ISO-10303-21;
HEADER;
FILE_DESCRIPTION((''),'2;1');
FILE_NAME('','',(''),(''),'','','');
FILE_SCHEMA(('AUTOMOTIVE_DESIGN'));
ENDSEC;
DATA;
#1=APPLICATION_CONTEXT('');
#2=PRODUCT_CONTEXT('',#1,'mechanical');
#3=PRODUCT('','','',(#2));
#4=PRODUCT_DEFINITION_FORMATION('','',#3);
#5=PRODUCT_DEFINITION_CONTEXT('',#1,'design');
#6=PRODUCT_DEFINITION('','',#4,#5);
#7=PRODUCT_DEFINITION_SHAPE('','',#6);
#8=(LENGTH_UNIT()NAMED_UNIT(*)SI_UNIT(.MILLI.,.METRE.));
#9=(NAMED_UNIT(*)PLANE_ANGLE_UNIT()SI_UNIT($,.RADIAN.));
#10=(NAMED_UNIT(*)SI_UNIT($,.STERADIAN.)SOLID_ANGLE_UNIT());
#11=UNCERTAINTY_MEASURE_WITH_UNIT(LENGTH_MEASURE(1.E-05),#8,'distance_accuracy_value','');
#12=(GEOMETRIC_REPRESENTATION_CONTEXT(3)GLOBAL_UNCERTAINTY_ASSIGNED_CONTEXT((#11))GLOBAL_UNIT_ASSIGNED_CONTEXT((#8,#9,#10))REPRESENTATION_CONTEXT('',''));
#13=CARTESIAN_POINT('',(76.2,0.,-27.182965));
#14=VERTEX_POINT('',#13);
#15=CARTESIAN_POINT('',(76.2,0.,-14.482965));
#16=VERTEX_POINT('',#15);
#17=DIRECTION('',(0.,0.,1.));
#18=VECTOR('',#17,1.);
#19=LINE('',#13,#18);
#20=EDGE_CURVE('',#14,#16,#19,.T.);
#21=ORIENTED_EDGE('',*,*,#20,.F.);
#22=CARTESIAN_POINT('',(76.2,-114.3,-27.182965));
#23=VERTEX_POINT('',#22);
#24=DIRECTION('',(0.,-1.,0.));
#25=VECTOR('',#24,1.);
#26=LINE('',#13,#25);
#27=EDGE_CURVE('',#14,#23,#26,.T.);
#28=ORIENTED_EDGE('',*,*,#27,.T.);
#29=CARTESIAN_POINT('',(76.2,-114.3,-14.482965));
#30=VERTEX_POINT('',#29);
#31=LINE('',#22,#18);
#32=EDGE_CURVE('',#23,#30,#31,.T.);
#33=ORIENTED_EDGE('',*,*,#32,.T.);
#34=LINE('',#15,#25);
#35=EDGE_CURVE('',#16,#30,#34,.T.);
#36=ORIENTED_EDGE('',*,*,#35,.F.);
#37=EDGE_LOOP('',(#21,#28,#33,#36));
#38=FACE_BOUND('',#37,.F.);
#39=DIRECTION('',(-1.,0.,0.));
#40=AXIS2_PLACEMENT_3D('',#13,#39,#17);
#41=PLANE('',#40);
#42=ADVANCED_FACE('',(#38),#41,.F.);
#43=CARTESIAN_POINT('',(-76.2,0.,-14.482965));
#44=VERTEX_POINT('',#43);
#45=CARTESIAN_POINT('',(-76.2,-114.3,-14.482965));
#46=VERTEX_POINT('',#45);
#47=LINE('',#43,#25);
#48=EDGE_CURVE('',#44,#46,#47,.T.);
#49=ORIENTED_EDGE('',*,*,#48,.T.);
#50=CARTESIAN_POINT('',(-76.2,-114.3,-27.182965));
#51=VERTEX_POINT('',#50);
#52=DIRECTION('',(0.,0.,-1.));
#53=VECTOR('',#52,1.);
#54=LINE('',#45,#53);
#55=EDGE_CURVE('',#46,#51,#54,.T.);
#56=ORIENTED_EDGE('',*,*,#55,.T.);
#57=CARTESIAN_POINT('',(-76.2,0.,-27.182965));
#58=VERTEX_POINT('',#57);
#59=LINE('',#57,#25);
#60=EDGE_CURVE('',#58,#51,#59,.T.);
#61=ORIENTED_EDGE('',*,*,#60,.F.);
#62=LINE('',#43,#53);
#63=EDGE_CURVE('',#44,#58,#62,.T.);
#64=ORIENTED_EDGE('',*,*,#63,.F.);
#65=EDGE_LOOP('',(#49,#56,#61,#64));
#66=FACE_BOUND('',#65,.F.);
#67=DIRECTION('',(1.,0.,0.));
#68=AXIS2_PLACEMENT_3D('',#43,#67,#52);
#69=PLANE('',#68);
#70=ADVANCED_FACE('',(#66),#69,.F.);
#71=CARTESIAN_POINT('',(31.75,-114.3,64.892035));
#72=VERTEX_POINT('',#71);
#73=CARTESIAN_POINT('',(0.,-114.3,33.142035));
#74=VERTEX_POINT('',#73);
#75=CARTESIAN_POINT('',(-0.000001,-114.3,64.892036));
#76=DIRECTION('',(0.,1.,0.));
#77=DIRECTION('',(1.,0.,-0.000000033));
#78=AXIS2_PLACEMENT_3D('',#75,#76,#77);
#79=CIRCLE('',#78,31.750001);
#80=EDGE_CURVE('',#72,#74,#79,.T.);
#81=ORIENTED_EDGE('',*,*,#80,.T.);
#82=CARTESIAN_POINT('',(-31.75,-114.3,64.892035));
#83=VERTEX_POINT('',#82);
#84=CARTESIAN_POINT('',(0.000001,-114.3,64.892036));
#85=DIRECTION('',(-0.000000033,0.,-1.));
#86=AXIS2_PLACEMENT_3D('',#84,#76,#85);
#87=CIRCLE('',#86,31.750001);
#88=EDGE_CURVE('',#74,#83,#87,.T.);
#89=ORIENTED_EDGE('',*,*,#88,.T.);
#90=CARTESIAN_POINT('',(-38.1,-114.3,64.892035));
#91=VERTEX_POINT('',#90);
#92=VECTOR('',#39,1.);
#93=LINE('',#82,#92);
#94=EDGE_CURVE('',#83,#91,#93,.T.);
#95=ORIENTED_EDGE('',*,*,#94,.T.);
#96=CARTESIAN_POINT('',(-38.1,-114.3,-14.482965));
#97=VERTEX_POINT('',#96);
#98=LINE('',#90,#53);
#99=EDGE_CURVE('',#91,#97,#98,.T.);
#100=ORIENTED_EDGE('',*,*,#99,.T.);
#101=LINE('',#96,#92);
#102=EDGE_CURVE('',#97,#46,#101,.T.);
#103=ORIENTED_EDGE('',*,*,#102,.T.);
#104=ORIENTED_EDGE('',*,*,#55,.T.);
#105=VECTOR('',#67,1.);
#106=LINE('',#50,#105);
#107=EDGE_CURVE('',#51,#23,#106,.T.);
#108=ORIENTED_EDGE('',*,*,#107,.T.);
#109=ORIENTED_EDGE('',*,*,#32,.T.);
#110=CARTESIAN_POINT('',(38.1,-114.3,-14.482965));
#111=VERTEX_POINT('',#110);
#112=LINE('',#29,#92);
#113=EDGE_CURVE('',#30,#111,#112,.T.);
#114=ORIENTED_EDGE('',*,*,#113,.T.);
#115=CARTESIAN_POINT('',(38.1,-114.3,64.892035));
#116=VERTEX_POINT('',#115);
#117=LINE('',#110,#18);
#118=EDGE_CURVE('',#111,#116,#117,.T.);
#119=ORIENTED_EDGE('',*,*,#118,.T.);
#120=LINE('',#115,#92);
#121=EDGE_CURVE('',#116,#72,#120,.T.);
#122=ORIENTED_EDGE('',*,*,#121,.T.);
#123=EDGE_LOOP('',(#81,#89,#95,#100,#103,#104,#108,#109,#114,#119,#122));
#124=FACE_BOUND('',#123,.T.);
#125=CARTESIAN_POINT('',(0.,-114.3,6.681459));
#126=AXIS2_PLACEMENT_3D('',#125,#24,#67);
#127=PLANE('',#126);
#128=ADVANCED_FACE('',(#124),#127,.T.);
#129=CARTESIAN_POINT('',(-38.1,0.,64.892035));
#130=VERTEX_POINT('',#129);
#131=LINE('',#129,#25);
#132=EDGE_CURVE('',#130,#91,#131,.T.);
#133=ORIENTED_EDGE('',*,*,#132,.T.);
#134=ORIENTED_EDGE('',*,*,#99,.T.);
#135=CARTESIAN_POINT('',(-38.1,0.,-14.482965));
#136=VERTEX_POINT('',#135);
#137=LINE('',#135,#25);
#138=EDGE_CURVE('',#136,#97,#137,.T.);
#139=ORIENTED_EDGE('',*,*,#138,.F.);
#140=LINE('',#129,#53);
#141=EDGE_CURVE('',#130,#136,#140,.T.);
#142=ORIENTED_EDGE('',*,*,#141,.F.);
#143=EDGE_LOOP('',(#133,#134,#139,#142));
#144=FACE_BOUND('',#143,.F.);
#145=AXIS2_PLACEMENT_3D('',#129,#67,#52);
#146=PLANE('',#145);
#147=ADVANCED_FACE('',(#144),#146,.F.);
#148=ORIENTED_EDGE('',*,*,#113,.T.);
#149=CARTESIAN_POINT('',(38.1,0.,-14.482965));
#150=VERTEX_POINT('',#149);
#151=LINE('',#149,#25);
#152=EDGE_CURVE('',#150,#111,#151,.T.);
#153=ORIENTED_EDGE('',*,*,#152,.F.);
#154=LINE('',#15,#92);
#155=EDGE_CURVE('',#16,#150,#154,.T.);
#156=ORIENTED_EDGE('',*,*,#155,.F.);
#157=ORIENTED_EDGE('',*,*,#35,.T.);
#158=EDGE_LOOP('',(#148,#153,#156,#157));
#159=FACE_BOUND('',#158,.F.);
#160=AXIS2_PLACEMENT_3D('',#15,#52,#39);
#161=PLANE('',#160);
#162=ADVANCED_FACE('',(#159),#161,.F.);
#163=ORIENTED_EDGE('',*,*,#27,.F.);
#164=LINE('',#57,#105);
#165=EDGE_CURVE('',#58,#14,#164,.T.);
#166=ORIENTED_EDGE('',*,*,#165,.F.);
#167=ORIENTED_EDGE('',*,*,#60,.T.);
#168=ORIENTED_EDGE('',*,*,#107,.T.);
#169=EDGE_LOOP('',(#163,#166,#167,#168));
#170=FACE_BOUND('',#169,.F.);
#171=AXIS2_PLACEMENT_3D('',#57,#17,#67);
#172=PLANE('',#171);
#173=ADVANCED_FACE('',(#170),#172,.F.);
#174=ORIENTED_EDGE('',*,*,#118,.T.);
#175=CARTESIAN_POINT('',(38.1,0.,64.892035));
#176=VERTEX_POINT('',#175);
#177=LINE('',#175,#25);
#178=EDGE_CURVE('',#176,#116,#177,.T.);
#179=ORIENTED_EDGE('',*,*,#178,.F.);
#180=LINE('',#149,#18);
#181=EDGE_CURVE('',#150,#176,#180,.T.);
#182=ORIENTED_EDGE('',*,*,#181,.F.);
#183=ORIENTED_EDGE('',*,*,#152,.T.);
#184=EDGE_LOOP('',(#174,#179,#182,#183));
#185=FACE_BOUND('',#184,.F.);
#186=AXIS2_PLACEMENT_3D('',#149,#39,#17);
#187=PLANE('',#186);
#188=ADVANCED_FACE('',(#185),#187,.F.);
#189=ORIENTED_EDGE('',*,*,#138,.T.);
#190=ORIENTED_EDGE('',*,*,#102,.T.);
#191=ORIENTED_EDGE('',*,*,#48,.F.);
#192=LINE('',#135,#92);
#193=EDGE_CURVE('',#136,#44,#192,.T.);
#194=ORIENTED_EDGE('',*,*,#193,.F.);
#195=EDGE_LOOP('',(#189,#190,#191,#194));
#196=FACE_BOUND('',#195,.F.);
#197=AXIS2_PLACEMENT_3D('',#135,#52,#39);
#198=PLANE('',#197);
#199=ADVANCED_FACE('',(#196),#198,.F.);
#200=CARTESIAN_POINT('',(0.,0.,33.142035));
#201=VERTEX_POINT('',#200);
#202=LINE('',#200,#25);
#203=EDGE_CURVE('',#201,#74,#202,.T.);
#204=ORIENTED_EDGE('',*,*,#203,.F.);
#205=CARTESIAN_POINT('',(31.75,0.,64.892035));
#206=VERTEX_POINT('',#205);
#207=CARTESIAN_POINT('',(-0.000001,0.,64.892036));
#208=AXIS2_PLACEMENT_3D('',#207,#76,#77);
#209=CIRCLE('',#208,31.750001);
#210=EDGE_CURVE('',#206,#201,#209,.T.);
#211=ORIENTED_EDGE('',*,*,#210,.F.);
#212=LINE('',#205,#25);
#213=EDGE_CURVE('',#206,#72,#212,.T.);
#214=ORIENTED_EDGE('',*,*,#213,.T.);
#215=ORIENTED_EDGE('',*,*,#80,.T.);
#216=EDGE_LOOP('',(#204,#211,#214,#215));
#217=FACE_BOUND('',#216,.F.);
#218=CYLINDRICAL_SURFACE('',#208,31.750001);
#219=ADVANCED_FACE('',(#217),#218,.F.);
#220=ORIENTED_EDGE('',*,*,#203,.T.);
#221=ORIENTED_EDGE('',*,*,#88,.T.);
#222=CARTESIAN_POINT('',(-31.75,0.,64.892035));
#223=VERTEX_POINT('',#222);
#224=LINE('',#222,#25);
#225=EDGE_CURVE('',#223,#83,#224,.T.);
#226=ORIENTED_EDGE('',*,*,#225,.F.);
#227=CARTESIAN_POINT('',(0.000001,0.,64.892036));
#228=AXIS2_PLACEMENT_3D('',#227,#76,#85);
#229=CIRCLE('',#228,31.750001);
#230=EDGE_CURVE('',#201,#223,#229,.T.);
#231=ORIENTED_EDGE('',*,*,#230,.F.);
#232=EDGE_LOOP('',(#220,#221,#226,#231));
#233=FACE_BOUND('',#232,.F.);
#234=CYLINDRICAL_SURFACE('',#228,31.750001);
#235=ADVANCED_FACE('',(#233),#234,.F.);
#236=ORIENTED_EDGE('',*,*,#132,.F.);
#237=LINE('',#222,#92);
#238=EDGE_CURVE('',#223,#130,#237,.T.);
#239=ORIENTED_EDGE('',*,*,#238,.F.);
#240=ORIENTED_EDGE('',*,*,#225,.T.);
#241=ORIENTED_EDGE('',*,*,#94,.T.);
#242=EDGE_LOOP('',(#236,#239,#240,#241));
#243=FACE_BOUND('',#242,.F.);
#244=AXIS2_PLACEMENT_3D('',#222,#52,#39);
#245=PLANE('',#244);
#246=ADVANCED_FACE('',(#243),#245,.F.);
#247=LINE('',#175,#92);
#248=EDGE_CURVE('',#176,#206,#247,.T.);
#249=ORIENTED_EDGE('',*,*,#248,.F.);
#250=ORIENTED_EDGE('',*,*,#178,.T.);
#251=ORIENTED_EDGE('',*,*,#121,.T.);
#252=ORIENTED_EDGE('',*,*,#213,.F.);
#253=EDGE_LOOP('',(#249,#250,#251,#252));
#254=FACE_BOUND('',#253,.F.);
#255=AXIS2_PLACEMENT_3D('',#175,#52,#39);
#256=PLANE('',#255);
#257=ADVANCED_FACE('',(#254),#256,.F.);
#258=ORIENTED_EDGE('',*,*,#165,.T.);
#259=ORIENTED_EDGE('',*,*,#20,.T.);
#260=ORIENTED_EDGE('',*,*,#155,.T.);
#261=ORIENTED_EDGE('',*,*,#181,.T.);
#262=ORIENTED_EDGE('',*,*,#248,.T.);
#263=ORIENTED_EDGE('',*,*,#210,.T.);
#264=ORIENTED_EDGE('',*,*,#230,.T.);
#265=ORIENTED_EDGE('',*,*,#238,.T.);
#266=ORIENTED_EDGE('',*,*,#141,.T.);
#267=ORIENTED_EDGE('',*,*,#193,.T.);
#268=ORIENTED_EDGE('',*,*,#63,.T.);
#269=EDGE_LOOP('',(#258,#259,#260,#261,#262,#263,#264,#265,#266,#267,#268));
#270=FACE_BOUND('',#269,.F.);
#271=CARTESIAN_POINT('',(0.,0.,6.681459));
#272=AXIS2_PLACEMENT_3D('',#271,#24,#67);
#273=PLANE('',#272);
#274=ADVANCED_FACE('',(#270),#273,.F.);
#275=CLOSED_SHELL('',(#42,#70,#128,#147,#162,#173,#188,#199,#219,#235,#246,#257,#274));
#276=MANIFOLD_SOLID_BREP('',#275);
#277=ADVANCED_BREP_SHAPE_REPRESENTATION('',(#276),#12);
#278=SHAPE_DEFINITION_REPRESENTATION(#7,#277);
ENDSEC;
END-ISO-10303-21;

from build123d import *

# Parameters (mm, degrees)
F1_DEPTH = 114.3


with BuildPart() as f1:
    # F0 (on Front) → F1 (new body)
    with BuildSketch(Plane.XZ):
        with BuildLine():
            Line((-76.2, -14.482965), (-76.2, -27.182965))
            Line((-76.2, -27.182965), (0, -27.182965))
            Line((0, -27.182965), (76.2, -27.182965))
            Line((76.2, -27.182965), (76.2, -14.482965))
            Line((76.2, -14.482965), (38.1, -14.482965))
            Line((38.1, -14.482965), (38.1, 64.892035))
            Line((38.1, 64.892035), (31.75, 64.892035))
            ThreePointArc((31.75, 64.892035), (22.45064, 42.441395), (0, 33.142035))
            ThreePointArc((0, 33.142035), (-22.45064, 42.441395), (-31.75, 64.892035))
            Line((-31.75, 64.892035), (-38.1, 64.892035))
            Line((-38.1, 64.892035), (-38.1, -14.482965))
            Line((-38.1, -14.482965), (-76.2, -14.482965))
        make_face()
    extrude(amount=F1_DEPTH)


solid = f1.part
